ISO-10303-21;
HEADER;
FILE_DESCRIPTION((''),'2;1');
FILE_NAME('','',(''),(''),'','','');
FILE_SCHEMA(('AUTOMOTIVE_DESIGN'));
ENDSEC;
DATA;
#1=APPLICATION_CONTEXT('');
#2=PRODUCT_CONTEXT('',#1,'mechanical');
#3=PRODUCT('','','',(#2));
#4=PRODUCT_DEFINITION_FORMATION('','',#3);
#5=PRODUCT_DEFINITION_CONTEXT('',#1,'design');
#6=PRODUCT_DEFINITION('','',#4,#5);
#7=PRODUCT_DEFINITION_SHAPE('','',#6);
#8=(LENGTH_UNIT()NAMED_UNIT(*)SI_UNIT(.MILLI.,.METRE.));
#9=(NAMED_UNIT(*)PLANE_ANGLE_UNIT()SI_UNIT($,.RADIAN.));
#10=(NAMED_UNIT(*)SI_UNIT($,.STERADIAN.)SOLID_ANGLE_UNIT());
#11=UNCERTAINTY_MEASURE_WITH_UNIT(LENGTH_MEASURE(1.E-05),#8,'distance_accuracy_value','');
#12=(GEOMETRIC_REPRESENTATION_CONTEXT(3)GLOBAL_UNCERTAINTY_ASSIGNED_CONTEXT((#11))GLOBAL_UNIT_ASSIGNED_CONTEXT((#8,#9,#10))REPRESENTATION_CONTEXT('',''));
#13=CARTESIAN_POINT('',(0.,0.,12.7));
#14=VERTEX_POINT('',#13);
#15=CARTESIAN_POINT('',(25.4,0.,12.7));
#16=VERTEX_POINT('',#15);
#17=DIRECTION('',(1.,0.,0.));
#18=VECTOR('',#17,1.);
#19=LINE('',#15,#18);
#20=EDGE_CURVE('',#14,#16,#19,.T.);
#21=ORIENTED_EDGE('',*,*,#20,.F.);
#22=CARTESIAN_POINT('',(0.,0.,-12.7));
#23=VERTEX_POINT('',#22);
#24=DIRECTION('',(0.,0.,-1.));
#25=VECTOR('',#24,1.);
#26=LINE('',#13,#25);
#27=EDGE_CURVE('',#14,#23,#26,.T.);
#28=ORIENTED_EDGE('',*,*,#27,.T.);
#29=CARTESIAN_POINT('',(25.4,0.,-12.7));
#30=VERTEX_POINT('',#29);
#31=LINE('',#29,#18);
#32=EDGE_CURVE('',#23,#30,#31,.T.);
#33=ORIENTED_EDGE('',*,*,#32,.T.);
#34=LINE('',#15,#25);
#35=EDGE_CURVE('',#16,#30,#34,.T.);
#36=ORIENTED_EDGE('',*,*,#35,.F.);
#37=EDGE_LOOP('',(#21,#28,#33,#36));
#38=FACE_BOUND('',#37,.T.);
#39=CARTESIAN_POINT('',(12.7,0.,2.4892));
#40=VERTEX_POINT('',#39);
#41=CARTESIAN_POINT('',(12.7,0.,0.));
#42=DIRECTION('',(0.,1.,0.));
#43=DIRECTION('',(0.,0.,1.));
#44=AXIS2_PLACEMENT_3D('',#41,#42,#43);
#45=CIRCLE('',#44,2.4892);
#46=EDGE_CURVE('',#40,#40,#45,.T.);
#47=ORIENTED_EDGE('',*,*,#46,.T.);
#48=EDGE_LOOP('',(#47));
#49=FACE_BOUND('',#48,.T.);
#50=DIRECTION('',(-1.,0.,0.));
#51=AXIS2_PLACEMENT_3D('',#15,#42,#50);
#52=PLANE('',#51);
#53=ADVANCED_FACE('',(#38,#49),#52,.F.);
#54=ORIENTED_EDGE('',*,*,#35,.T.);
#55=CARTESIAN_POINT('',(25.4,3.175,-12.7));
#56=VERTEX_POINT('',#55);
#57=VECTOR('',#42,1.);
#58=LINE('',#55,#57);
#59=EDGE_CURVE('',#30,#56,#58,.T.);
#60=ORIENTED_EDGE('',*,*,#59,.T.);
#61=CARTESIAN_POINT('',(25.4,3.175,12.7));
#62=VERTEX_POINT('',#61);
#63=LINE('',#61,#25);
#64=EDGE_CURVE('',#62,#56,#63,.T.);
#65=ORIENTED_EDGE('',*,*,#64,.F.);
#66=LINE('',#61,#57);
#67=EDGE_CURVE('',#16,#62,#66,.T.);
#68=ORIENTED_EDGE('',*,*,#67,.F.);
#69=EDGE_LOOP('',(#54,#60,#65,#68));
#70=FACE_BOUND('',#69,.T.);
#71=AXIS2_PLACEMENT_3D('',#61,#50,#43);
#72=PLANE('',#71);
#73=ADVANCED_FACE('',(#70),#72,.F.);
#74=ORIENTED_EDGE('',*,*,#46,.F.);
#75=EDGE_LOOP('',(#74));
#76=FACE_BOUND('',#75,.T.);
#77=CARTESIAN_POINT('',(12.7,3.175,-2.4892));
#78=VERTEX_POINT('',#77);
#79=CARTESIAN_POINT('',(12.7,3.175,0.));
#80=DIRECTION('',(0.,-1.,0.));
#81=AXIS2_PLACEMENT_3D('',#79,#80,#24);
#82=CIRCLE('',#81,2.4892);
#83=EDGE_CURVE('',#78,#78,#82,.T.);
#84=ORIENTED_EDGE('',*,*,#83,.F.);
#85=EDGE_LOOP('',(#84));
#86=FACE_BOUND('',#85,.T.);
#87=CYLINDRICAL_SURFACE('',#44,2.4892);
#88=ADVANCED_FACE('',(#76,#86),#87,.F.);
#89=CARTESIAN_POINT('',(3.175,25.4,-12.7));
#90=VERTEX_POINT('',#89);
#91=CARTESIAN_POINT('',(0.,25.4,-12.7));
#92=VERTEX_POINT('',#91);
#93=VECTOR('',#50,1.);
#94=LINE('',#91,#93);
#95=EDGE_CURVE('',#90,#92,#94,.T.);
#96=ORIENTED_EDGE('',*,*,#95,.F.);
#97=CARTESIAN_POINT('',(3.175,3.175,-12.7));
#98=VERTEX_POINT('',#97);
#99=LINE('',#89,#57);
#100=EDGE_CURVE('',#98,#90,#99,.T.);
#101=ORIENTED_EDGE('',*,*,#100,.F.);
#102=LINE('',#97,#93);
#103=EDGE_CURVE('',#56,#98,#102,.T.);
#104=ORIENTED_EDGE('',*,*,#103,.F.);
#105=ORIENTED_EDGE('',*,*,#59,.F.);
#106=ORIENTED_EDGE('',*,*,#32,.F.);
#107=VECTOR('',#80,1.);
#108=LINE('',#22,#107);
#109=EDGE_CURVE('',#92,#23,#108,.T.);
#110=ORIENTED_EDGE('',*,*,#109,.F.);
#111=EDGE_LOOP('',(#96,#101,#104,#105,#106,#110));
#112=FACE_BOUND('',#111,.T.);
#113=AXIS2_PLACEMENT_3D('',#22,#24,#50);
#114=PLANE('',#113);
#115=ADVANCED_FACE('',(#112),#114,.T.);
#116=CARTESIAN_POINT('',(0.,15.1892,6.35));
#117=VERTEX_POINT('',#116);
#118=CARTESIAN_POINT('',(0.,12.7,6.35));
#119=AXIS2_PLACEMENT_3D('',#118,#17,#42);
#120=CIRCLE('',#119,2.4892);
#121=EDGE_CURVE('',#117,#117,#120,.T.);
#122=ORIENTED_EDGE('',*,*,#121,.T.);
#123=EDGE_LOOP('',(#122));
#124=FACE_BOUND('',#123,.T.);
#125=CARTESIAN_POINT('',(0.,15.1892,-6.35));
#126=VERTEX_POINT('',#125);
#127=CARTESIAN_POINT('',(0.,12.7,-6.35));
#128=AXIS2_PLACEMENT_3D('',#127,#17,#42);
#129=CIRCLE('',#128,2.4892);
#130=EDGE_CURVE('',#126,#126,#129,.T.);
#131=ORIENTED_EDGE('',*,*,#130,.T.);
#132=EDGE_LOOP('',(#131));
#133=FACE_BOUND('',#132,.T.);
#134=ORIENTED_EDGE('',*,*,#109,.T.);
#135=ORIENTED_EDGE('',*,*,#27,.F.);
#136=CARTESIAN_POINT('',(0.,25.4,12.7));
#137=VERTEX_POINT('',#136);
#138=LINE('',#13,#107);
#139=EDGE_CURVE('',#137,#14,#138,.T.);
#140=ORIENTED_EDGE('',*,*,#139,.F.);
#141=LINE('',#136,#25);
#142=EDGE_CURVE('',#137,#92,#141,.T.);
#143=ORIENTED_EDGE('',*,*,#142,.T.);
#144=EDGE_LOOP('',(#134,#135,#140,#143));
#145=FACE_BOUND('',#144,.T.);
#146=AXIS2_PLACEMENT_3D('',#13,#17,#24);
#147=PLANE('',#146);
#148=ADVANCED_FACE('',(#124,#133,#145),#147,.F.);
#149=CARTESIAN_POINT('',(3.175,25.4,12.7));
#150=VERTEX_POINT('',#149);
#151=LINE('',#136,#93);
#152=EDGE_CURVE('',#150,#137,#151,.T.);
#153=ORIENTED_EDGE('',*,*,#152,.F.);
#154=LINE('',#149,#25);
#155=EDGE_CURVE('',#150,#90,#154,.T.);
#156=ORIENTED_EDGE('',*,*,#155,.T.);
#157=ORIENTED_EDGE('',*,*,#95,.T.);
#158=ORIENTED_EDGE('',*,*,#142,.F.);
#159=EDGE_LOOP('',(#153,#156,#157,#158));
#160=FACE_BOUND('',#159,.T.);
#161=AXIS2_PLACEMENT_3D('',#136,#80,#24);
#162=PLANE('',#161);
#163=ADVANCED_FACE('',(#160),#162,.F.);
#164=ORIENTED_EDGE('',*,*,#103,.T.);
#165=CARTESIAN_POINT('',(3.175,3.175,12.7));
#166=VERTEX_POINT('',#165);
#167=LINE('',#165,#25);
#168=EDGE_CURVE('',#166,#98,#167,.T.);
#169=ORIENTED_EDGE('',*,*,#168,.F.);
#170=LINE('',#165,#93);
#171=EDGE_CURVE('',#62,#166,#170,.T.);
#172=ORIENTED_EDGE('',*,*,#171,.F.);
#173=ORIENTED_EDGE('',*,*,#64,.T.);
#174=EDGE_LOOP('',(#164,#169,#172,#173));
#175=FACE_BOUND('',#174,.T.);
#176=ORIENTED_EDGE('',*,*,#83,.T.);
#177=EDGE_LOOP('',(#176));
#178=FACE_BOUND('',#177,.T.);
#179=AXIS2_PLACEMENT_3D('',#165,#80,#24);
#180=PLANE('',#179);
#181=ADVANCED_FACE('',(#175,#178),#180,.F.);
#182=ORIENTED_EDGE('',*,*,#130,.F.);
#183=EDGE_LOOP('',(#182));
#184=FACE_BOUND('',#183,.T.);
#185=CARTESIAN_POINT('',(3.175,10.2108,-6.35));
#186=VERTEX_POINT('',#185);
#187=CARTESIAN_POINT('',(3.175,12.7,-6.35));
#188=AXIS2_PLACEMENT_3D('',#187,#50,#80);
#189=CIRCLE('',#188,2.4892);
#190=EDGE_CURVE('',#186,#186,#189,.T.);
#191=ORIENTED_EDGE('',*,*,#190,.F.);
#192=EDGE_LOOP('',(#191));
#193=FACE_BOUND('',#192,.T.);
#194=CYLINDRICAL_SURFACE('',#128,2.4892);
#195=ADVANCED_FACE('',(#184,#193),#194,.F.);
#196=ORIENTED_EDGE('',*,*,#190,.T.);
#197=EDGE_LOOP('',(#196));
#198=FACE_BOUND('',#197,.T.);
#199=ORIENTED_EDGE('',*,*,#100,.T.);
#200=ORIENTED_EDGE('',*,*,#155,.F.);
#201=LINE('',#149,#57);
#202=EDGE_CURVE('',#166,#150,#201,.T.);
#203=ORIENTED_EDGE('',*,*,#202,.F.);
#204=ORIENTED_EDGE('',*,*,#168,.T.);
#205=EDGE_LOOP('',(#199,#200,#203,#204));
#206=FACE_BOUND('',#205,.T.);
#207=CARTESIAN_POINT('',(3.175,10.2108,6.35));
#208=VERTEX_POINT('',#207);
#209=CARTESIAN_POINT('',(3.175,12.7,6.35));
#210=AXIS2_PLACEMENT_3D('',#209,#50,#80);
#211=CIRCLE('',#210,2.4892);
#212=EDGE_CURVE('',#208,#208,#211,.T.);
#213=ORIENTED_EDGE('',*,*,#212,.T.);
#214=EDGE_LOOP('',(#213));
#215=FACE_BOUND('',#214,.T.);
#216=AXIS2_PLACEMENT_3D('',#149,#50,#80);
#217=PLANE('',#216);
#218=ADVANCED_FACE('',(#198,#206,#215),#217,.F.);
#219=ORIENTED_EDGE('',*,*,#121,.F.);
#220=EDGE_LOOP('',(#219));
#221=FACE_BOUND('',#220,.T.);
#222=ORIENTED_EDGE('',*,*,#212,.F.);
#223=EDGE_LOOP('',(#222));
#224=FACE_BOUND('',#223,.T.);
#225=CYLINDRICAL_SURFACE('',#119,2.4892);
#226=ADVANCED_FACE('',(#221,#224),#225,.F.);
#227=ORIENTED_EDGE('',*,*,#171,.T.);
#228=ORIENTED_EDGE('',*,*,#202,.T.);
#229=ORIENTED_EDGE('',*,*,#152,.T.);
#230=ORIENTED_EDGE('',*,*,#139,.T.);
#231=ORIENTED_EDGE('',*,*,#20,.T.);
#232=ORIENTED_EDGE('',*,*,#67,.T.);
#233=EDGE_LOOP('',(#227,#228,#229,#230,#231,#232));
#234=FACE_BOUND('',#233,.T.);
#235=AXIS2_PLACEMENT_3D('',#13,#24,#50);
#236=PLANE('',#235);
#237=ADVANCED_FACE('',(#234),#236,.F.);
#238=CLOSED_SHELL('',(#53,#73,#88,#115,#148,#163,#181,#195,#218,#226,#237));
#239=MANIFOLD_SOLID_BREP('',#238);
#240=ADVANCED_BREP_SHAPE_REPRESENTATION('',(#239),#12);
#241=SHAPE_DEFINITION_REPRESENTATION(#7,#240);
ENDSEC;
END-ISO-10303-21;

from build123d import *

# Parameters (mm, degrees)
BOSS_EXTRUDE1_DEPTH     = 12.7
CUT_EXTRUDE1_DEPTH      = 37.061067996
CUT_EXTRUDE1_DEPTH_BACK = 37.061067996
SKETCH3_R               = 2.4892
CUT_EXTRUDE2_DEPTH      = 37.061067996
CUT_EXTRUDE2_DEPTH_BACK = 37.061067996
SKETCH4_R               = 2.4892


with BuildPart() as part:
    # Sketch1 → Boss-Extrude1 (new, symmetric)
    with BuildSketch(Plane.XY):
        Polygon((0, 0), (0, 25.4), (3.175, 25.4), (3.175, 3.175), (25.4, 3.175), (25.4, 0), align=None)
    extrude(amount=BOSS_EXTRUDE1_DEPTH, both=True)

    # Sketch3 → Cut-Extrude1 (cut, two sides: drawn at the far end of the back side and taken through both)
    with BuildSketch(Plane(origin=(0, 3.175, 0), x_dir=(1, 0, 0), z_dir=(0, 1, 0)).offset(-CUT_EXTRUDE1_DEPTH_BACK)):
        with Locations(Location((12.7, 0, 0), (0, 0, 270))):
            Circle(SKETCH3_R)
    extrude(amount=CUT_EXTRUDE1_DEPTH + CUT_EXTRUDE1_DEPTH_BACK, mode=Mode.SUBTRACT)

    # Sketch4 → Cut-Extrude2 (cut, two sides: drawn at the far end of the back side and taken through both)
    with BuildSketch(Plane(origin=(3.175, 0, 0), x_dir=(0, 0, -1), z_dir=(1, 0, 0)).offset(-CUT_EXTRUDE2_DEPTH_BACK)):
        with Locations(Location((-6.35, 12.7, 0), (0, 0, 90))):
            Circle(SKETCH4_R)
        with Locations(Location((6.35, 12.7, 0), (0, 0, 90))):
            Circle(SKETCH4_R)
    extrude(amount=CUT_EXTRUDE2_DEPTH + CUT_EXTRUDE2_DEPTH_BACK, mode=Mode.SUBTRACT)


solid = part.part
